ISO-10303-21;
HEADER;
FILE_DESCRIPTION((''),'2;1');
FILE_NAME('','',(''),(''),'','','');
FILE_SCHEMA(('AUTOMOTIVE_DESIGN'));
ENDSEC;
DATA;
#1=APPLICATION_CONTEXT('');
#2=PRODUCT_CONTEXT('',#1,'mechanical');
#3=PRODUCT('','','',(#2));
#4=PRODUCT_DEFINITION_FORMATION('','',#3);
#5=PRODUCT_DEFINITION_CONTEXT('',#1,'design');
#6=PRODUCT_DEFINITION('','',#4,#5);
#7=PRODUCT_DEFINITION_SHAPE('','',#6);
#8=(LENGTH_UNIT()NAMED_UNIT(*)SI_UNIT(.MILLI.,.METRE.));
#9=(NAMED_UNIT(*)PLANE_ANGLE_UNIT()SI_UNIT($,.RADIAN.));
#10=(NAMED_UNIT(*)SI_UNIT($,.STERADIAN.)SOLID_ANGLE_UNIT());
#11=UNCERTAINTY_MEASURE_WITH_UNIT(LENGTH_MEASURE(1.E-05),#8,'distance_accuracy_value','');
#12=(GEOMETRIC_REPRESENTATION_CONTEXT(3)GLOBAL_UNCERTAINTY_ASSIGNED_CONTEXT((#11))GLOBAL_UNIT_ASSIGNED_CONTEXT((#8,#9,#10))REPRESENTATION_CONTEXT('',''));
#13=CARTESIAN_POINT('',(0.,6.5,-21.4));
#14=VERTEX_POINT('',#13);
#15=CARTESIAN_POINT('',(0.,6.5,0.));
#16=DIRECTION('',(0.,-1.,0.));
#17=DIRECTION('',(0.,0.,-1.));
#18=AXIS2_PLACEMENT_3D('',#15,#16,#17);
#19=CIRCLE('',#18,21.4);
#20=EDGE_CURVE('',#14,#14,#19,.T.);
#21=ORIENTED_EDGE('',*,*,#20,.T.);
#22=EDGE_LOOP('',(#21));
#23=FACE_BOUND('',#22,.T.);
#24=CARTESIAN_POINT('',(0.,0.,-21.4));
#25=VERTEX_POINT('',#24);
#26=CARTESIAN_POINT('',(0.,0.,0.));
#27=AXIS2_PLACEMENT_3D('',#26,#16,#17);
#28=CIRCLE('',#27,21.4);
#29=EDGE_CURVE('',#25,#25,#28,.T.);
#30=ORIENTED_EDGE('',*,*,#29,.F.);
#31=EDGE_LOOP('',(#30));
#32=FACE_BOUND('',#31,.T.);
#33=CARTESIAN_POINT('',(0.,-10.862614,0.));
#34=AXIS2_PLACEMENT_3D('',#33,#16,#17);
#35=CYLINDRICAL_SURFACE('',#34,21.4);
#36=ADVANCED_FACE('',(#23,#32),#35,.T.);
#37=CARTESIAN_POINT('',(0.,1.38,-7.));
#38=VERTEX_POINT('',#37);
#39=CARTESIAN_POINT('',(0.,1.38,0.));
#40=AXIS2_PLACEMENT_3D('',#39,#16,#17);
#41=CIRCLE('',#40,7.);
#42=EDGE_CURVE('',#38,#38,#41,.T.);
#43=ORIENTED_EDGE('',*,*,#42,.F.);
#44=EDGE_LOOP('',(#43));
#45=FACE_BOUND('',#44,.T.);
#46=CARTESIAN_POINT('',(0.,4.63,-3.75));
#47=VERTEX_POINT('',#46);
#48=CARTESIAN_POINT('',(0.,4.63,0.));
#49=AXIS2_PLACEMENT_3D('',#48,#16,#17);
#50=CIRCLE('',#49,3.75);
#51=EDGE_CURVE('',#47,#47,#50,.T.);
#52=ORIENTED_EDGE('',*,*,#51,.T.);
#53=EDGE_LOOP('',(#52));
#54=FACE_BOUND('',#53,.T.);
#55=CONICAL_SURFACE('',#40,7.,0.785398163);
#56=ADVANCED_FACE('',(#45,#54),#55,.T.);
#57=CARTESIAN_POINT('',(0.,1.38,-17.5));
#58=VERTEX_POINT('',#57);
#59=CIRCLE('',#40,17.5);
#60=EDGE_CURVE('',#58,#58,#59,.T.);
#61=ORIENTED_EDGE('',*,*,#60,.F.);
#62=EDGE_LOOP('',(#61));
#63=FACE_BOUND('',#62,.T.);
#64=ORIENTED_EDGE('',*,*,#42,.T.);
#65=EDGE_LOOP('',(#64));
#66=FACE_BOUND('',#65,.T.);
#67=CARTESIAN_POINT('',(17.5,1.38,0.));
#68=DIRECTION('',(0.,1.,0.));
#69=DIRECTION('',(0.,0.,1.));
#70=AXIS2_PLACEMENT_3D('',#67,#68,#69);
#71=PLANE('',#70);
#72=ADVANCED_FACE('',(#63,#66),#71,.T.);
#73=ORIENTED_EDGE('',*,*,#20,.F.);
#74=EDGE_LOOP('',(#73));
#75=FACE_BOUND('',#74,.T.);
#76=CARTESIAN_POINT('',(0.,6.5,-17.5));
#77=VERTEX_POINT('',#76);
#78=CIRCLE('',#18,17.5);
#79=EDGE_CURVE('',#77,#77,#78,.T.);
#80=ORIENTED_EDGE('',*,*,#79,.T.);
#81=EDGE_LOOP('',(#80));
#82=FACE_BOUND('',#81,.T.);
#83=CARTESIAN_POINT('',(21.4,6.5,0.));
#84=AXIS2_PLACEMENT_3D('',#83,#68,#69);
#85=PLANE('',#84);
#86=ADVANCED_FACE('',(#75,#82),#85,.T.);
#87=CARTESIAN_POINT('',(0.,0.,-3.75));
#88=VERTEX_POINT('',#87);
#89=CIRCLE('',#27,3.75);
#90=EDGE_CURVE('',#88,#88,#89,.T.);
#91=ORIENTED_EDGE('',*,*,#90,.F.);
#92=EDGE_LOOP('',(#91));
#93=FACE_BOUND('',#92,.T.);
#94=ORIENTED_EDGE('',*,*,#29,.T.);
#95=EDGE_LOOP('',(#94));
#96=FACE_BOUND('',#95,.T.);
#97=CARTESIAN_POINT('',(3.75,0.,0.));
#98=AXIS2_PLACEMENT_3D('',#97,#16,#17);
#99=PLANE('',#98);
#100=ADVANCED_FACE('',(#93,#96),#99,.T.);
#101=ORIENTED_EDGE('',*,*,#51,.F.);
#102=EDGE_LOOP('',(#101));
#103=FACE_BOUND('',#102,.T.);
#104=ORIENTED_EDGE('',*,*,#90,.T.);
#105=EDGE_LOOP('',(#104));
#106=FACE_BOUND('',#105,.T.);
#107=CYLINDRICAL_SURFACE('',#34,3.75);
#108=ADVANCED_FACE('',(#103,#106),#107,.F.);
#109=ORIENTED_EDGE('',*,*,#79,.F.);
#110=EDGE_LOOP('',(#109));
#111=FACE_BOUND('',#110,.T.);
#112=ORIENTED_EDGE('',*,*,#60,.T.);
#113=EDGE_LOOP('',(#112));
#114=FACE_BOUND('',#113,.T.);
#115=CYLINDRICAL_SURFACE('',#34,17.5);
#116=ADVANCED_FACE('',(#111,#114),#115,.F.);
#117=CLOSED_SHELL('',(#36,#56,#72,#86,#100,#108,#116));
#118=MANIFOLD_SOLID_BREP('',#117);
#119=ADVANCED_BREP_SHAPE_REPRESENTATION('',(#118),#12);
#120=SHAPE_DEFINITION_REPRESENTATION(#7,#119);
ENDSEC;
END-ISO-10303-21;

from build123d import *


with BuildPart() as part:
    # Sketch1 → Revolve1 (revolve)
    with BuildSketch(Plane.XY, mode=Mode.PRIVATE) as revolve1_sk:
        Polygon((3.75, 0), (21.4, 0), (21.4, 6.5), (17.5, 6.5), (17.5, 1.38), (7, 1.38), (3.75, 4.63), align=None)
    revolve(revolve1_sk.sketch.rotate(Axis((0, -10.862613982, 0), (0, 1, 0)), 90), axis=Axis((0, -10.862613982, 0), (0, 1, 0)))


solid = part.part
